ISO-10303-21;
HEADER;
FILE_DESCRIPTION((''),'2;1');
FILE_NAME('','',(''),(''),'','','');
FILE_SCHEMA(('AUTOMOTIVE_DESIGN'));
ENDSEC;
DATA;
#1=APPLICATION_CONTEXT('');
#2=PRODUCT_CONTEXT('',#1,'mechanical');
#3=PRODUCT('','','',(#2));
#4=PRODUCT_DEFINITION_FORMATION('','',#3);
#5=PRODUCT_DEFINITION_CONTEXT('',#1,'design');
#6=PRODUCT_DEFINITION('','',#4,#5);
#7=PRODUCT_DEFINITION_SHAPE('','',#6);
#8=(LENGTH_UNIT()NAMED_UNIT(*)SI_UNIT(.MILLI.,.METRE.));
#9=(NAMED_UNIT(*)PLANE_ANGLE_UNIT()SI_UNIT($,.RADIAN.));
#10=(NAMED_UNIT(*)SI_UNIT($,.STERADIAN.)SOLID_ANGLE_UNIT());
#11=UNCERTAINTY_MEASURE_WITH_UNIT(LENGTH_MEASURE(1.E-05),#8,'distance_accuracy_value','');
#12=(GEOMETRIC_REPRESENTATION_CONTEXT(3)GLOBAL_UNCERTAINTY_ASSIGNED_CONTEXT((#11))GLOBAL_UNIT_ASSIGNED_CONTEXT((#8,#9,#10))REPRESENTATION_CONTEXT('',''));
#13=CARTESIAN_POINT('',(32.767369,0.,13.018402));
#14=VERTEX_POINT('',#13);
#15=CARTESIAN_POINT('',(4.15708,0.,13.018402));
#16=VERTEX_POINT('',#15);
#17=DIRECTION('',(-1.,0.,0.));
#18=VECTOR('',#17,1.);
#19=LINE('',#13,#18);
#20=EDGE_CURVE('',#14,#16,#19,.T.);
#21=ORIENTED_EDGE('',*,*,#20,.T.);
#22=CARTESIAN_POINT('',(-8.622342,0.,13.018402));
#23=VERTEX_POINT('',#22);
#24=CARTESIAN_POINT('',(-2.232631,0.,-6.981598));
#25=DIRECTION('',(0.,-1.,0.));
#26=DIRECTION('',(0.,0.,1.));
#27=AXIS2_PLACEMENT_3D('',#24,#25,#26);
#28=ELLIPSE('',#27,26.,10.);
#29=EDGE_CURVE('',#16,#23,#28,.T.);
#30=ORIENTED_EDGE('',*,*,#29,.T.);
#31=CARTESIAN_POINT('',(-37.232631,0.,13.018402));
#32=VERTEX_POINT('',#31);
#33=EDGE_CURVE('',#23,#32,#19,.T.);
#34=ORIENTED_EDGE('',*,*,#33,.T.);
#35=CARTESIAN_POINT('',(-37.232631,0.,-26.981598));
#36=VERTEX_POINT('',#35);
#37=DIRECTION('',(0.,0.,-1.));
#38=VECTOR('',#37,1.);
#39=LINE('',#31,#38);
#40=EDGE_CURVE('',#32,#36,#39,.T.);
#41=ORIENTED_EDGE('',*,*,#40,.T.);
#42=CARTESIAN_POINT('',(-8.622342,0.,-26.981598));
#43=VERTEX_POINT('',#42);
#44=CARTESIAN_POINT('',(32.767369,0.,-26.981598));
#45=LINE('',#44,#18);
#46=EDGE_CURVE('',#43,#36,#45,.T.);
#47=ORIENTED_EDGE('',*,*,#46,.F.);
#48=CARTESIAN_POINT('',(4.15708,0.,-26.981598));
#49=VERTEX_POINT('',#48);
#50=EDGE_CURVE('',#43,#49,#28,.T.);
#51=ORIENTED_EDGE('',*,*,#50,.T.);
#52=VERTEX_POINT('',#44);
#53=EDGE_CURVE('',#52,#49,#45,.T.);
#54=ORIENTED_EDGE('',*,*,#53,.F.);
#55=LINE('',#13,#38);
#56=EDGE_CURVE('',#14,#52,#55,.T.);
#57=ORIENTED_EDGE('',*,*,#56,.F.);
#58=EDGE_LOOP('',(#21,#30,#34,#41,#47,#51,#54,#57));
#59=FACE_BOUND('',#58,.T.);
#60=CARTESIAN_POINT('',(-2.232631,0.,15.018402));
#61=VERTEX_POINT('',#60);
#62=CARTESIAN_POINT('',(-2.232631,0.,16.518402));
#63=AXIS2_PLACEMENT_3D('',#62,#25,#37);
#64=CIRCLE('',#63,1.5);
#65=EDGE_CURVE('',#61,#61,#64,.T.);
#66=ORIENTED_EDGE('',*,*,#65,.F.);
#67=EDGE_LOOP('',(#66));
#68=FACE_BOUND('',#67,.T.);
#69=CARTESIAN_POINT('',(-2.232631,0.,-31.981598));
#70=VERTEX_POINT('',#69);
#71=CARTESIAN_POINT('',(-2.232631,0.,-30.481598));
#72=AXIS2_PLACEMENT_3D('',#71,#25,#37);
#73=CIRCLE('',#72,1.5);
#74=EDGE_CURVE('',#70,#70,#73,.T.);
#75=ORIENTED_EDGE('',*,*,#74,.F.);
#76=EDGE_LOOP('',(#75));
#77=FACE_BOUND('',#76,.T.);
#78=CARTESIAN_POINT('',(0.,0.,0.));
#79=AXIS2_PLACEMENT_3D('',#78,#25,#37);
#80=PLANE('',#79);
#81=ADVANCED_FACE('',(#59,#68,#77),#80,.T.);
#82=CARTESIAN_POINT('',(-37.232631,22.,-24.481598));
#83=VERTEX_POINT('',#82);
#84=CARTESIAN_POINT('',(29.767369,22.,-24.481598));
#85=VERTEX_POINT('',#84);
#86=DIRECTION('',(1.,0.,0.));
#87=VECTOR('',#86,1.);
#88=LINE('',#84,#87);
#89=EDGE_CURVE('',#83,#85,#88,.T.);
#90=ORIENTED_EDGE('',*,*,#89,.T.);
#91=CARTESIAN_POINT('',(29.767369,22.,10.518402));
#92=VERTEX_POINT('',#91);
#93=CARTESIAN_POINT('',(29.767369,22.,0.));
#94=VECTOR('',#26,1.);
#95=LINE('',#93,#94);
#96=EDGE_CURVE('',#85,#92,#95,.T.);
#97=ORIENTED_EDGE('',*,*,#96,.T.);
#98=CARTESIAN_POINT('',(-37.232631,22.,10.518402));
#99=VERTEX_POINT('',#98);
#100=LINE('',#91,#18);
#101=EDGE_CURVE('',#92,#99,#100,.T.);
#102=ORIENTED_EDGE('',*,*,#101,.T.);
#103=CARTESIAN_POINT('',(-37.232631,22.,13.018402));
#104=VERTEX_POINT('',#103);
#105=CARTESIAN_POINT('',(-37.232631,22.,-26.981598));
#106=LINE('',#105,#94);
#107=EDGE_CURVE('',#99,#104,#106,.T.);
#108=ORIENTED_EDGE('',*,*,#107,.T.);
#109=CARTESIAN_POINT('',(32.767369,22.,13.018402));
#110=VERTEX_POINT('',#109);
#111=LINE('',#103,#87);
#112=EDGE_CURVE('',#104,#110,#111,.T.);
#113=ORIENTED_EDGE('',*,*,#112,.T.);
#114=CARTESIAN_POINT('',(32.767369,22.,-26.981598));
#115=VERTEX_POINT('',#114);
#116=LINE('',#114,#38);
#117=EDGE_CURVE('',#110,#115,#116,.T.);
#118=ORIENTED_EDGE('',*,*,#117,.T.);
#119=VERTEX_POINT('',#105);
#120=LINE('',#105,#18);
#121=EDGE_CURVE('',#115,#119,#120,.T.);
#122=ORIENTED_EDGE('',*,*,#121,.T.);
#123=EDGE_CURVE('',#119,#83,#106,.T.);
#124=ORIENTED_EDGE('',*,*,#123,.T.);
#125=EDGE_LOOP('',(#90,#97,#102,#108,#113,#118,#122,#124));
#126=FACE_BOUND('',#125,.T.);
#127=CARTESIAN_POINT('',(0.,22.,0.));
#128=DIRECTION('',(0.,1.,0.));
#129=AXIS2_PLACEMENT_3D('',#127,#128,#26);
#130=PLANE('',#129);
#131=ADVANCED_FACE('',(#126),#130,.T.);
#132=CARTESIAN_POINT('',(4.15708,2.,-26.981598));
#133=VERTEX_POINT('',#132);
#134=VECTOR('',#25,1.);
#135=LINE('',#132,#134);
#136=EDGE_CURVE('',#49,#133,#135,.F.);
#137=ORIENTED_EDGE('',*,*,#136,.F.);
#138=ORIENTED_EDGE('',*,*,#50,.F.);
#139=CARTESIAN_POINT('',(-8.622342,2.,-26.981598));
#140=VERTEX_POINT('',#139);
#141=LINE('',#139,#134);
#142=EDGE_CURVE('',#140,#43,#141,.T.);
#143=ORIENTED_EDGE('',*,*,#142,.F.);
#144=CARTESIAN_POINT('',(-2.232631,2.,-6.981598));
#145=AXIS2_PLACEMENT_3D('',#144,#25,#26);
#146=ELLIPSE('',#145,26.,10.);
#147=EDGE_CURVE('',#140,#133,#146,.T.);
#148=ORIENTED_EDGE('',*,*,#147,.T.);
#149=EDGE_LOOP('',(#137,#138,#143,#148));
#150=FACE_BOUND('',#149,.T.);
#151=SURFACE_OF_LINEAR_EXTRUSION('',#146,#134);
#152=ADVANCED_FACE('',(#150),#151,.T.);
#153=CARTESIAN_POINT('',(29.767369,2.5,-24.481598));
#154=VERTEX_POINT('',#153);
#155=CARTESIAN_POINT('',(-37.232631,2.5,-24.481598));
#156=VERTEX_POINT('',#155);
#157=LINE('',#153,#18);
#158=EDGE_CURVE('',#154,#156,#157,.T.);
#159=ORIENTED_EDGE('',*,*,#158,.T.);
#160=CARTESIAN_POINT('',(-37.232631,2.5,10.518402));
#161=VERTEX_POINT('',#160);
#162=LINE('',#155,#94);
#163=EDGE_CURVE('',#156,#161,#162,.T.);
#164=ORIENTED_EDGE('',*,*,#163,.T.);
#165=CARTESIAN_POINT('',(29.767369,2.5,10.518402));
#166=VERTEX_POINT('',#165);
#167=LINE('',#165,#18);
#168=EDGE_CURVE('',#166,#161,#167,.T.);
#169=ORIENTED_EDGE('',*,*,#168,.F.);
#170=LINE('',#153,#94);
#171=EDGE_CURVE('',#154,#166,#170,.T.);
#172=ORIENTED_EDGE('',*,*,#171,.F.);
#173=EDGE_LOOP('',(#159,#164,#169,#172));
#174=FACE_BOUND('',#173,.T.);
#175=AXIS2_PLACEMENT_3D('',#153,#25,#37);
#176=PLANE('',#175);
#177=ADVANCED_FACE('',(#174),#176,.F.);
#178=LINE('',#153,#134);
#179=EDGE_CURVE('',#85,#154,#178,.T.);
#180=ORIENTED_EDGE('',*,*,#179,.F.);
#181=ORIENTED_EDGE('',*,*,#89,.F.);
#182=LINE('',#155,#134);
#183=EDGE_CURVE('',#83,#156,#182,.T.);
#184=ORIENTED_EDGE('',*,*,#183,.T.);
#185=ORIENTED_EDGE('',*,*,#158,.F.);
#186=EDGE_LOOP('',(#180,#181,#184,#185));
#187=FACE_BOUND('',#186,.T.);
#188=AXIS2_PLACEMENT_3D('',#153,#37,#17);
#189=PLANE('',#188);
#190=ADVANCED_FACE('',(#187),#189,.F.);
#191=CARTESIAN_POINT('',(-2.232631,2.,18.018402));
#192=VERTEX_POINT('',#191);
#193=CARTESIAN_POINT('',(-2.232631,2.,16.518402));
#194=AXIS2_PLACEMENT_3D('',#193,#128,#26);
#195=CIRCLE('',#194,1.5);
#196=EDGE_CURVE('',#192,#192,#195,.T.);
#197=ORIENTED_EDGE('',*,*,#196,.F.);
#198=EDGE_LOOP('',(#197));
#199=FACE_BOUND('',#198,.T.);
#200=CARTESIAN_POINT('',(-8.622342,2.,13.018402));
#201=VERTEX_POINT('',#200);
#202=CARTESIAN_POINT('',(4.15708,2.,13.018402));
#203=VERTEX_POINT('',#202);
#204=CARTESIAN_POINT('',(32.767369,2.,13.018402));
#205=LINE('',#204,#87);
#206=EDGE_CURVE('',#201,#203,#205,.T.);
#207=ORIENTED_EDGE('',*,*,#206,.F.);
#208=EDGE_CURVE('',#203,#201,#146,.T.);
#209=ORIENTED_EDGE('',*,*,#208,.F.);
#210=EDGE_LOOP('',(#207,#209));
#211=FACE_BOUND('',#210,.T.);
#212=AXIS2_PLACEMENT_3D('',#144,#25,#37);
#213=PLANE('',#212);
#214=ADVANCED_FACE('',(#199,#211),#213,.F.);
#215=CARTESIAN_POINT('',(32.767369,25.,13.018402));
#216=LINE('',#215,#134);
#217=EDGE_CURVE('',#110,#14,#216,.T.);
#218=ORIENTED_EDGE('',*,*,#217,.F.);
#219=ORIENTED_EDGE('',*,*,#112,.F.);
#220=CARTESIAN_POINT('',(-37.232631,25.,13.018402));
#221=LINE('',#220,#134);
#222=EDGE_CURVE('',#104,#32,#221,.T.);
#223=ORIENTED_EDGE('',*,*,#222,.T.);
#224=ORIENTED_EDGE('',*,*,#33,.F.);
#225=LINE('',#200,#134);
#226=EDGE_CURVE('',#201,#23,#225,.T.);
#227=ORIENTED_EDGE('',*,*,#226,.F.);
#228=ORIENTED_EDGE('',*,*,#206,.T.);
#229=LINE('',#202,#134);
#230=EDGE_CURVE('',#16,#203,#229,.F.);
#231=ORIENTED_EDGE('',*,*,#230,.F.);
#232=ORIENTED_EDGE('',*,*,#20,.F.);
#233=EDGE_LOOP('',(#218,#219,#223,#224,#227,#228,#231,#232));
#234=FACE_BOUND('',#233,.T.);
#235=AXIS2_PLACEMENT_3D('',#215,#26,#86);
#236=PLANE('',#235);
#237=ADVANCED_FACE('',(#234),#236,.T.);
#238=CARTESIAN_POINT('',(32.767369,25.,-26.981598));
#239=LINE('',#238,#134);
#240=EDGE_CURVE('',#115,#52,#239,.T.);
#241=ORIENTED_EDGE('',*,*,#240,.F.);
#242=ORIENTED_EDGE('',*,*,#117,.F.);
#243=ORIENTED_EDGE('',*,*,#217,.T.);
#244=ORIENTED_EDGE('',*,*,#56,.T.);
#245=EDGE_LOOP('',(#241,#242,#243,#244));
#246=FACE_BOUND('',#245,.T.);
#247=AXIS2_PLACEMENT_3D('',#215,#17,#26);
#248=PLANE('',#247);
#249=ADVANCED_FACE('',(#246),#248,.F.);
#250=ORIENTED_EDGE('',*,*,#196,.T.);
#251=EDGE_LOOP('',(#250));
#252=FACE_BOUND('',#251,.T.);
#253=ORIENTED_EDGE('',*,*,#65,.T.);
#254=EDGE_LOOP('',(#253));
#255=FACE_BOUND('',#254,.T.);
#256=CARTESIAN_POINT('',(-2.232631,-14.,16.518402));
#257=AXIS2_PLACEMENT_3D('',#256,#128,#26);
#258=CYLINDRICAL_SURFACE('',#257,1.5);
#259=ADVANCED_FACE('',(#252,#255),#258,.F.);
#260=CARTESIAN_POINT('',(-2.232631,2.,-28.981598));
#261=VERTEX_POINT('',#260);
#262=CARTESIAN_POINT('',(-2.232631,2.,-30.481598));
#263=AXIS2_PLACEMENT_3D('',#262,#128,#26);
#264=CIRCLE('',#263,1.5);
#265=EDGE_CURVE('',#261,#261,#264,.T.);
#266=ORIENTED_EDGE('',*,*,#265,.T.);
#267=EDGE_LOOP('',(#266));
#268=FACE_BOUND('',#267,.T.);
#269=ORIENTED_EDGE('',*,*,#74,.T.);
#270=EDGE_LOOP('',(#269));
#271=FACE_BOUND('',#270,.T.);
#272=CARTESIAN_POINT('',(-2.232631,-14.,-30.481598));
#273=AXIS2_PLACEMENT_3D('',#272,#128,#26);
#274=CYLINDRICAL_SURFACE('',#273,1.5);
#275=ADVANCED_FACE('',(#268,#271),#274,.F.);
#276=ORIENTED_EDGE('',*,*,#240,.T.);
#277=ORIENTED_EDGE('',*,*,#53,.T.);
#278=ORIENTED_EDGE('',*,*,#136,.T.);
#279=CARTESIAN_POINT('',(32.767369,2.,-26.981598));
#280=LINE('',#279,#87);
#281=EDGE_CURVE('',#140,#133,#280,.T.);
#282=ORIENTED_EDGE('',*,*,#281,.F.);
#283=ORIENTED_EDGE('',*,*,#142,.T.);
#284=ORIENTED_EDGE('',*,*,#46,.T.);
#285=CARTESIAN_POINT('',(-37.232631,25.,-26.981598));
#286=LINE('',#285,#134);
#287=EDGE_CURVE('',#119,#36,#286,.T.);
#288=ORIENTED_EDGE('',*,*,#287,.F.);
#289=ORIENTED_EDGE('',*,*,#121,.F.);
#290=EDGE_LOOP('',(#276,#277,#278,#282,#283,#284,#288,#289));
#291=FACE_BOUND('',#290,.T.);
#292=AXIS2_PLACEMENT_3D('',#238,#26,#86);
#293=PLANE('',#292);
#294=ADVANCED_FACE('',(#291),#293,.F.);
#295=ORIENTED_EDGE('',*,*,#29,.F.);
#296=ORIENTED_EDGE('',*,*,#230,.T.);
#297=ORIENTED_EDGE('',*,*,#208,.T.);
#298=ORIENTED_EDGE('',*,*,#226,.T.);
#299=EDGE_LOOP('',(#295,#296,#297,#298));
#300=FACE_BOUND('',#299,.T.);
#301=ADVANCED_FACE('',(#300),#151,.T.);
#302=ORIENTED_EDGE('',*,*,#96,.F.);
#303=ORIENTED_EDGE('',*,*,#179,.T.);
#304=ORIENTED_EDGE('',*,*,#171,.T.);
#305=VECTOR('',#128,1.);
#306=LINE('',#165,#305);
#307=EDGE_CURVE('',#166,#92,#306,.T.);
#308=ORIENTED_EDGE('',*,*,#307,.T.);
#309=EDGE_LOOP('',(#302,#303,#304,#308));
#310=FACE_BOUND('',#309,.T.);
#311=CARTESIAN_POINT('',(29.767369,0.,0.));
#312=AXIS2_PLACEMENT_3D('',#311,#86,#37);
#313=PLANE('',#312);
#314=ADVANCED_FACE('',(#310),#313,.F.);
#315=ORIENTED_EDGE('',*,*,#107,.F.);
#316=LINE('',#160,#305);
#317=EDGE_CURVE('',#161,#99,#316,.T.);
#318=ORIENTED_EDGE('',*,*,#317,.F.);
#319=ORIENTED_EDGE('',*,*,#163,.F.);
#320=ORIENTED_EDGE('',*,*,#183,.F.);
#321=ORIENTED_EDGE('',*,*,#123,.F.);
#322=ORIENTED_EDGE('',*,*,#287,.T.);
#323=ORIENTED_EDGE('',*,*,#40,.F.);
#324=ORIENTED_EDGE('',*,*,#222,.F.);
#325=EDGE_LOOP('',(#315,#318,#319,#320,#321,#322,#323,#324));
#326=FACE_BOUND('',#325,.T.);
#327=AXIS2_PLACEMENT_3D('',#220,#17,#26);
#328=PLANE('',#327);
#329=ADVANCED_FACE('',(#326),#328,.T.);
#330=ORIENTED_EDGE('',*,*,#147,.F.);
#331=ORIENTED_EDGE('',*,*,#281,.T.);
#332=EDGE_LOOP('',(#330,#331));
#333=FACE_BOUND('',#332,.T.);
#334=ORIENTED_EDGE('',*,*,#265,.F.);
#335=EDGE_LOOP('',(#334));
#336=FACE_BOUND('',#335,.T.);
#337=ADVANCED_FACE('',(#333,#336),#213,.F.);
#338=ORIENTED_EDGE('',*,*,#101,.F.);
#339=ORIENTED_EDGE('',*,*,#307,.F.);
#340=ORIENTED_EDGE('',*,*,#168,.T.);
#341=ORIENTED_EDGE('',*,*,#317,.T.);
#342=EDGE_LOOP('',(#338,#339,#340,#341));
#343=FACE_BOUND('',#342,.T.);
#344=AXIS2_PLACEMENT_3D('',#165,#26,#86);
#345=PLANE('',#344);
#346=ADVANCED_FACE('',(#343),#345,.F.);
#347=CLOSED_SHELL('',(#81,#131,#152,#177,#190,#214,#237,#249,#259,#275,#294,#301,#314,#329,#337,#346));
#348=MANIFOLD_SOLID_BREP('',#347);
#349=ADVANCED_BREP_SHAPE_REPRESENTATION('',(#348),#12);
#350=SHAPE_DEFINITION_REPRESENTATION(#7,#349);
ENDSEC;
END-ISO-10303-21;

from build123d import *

# Parameters (mm, degrees)
IZIM1_W                     = 70
IZIM1_H                     = 40
Y_KSEKLIK_EKSTR_ZYON2_DEPTH = 25
IZIM2_W                     = 35
IZIM2_H                     = 20
KES_EKSTR_ZYON2_DEPTH       = 67
IZIM3_W                     = 70
IZIM3_H                     = 40
KES_EKSTR_ZYON3_DEPTH       = 3
IZIM4_RX                    = 26
IZIM4_RY                    = 10
Y_KSEKLIK_EKSTR_ZYON3_DEPTH = 2
IZIM5_R                     = 1.5
KES_EKSTR_ZYON5_DEPTH       = 16


with BuildPart() as part:
    # Çizim1 → Yükseklik-Ekstrüzyon2 (new body)
    with BuildSketch(Plane(origin=(0, 0, 0), x_dir=(1, 0, 0), z_dir=(0, 1, 0))):
        with Locations((-2.232631088, 6.981597522)):
            Rectangle(IZIM1_W, IZIM1_H)
    extrude(amount=Y_KSEKLIK_EKSTR_ZYON2_DEPTH)

    # Çizim2 → Kes-Ekstrüzyon2 (cut)
    with BuildSketch(Plane.ZY.offset(37.232631088)):
        with Locations((-6.981597522, 12.5)):
            Rectangle(IZIM2_W, IZIM2_H)
    extrude(amount=-KES_EKSTR_ZYON2_DEPTH, mode=Mode.SUBTRACT)

    # Çizim3 → Kes-Ekstrüzyon3 (cut)
    with BuildSketch(Plane(origin=(0, 25, 0), x_dir=(1, 0, 0), z_dir=(0, 1, 0))):
        with Locations((-2.232631088, 6.981597522)):
            Rectangle(IZIM3_W, IZIM3_H)
    extrude(amount=-KES_EKSTR_ZYON3_DEPTH, mode=Mode.SUBTRACT)

    # Çizim4 → Yükseklik-Ekstrüzyon3 (add)
    with BuildSketch(Plane.XZ):
        with Locations(Location((-2.232631088, -6.981597522), (0, 0, 90))):
            Ellipse(IZIM4_RX, IZIM4_RY)
    extrude(amount=-Y_KSEKLIK_EKSTR_ZYON3_DEPTH)

    # Çizim5 → Kes-Ekstrüzyon5 (cut)
    with BuildSketch(Plane(origin=(0, 2, 0), x_dir=(1, 0, 0), z_dir=(0, 1, 0))):
        with Locations((-2.232631088, -16.518402478)):
            Circle(IZIM5_R)
        with Locations((-2.232631088, 30.481597522)):
            Circle(IZIM5_R)
    extrude(amount=-KES_EKSTR_ZYON5_DEPTH, mode=Mode.SUBTRACT)


solid = part.part
